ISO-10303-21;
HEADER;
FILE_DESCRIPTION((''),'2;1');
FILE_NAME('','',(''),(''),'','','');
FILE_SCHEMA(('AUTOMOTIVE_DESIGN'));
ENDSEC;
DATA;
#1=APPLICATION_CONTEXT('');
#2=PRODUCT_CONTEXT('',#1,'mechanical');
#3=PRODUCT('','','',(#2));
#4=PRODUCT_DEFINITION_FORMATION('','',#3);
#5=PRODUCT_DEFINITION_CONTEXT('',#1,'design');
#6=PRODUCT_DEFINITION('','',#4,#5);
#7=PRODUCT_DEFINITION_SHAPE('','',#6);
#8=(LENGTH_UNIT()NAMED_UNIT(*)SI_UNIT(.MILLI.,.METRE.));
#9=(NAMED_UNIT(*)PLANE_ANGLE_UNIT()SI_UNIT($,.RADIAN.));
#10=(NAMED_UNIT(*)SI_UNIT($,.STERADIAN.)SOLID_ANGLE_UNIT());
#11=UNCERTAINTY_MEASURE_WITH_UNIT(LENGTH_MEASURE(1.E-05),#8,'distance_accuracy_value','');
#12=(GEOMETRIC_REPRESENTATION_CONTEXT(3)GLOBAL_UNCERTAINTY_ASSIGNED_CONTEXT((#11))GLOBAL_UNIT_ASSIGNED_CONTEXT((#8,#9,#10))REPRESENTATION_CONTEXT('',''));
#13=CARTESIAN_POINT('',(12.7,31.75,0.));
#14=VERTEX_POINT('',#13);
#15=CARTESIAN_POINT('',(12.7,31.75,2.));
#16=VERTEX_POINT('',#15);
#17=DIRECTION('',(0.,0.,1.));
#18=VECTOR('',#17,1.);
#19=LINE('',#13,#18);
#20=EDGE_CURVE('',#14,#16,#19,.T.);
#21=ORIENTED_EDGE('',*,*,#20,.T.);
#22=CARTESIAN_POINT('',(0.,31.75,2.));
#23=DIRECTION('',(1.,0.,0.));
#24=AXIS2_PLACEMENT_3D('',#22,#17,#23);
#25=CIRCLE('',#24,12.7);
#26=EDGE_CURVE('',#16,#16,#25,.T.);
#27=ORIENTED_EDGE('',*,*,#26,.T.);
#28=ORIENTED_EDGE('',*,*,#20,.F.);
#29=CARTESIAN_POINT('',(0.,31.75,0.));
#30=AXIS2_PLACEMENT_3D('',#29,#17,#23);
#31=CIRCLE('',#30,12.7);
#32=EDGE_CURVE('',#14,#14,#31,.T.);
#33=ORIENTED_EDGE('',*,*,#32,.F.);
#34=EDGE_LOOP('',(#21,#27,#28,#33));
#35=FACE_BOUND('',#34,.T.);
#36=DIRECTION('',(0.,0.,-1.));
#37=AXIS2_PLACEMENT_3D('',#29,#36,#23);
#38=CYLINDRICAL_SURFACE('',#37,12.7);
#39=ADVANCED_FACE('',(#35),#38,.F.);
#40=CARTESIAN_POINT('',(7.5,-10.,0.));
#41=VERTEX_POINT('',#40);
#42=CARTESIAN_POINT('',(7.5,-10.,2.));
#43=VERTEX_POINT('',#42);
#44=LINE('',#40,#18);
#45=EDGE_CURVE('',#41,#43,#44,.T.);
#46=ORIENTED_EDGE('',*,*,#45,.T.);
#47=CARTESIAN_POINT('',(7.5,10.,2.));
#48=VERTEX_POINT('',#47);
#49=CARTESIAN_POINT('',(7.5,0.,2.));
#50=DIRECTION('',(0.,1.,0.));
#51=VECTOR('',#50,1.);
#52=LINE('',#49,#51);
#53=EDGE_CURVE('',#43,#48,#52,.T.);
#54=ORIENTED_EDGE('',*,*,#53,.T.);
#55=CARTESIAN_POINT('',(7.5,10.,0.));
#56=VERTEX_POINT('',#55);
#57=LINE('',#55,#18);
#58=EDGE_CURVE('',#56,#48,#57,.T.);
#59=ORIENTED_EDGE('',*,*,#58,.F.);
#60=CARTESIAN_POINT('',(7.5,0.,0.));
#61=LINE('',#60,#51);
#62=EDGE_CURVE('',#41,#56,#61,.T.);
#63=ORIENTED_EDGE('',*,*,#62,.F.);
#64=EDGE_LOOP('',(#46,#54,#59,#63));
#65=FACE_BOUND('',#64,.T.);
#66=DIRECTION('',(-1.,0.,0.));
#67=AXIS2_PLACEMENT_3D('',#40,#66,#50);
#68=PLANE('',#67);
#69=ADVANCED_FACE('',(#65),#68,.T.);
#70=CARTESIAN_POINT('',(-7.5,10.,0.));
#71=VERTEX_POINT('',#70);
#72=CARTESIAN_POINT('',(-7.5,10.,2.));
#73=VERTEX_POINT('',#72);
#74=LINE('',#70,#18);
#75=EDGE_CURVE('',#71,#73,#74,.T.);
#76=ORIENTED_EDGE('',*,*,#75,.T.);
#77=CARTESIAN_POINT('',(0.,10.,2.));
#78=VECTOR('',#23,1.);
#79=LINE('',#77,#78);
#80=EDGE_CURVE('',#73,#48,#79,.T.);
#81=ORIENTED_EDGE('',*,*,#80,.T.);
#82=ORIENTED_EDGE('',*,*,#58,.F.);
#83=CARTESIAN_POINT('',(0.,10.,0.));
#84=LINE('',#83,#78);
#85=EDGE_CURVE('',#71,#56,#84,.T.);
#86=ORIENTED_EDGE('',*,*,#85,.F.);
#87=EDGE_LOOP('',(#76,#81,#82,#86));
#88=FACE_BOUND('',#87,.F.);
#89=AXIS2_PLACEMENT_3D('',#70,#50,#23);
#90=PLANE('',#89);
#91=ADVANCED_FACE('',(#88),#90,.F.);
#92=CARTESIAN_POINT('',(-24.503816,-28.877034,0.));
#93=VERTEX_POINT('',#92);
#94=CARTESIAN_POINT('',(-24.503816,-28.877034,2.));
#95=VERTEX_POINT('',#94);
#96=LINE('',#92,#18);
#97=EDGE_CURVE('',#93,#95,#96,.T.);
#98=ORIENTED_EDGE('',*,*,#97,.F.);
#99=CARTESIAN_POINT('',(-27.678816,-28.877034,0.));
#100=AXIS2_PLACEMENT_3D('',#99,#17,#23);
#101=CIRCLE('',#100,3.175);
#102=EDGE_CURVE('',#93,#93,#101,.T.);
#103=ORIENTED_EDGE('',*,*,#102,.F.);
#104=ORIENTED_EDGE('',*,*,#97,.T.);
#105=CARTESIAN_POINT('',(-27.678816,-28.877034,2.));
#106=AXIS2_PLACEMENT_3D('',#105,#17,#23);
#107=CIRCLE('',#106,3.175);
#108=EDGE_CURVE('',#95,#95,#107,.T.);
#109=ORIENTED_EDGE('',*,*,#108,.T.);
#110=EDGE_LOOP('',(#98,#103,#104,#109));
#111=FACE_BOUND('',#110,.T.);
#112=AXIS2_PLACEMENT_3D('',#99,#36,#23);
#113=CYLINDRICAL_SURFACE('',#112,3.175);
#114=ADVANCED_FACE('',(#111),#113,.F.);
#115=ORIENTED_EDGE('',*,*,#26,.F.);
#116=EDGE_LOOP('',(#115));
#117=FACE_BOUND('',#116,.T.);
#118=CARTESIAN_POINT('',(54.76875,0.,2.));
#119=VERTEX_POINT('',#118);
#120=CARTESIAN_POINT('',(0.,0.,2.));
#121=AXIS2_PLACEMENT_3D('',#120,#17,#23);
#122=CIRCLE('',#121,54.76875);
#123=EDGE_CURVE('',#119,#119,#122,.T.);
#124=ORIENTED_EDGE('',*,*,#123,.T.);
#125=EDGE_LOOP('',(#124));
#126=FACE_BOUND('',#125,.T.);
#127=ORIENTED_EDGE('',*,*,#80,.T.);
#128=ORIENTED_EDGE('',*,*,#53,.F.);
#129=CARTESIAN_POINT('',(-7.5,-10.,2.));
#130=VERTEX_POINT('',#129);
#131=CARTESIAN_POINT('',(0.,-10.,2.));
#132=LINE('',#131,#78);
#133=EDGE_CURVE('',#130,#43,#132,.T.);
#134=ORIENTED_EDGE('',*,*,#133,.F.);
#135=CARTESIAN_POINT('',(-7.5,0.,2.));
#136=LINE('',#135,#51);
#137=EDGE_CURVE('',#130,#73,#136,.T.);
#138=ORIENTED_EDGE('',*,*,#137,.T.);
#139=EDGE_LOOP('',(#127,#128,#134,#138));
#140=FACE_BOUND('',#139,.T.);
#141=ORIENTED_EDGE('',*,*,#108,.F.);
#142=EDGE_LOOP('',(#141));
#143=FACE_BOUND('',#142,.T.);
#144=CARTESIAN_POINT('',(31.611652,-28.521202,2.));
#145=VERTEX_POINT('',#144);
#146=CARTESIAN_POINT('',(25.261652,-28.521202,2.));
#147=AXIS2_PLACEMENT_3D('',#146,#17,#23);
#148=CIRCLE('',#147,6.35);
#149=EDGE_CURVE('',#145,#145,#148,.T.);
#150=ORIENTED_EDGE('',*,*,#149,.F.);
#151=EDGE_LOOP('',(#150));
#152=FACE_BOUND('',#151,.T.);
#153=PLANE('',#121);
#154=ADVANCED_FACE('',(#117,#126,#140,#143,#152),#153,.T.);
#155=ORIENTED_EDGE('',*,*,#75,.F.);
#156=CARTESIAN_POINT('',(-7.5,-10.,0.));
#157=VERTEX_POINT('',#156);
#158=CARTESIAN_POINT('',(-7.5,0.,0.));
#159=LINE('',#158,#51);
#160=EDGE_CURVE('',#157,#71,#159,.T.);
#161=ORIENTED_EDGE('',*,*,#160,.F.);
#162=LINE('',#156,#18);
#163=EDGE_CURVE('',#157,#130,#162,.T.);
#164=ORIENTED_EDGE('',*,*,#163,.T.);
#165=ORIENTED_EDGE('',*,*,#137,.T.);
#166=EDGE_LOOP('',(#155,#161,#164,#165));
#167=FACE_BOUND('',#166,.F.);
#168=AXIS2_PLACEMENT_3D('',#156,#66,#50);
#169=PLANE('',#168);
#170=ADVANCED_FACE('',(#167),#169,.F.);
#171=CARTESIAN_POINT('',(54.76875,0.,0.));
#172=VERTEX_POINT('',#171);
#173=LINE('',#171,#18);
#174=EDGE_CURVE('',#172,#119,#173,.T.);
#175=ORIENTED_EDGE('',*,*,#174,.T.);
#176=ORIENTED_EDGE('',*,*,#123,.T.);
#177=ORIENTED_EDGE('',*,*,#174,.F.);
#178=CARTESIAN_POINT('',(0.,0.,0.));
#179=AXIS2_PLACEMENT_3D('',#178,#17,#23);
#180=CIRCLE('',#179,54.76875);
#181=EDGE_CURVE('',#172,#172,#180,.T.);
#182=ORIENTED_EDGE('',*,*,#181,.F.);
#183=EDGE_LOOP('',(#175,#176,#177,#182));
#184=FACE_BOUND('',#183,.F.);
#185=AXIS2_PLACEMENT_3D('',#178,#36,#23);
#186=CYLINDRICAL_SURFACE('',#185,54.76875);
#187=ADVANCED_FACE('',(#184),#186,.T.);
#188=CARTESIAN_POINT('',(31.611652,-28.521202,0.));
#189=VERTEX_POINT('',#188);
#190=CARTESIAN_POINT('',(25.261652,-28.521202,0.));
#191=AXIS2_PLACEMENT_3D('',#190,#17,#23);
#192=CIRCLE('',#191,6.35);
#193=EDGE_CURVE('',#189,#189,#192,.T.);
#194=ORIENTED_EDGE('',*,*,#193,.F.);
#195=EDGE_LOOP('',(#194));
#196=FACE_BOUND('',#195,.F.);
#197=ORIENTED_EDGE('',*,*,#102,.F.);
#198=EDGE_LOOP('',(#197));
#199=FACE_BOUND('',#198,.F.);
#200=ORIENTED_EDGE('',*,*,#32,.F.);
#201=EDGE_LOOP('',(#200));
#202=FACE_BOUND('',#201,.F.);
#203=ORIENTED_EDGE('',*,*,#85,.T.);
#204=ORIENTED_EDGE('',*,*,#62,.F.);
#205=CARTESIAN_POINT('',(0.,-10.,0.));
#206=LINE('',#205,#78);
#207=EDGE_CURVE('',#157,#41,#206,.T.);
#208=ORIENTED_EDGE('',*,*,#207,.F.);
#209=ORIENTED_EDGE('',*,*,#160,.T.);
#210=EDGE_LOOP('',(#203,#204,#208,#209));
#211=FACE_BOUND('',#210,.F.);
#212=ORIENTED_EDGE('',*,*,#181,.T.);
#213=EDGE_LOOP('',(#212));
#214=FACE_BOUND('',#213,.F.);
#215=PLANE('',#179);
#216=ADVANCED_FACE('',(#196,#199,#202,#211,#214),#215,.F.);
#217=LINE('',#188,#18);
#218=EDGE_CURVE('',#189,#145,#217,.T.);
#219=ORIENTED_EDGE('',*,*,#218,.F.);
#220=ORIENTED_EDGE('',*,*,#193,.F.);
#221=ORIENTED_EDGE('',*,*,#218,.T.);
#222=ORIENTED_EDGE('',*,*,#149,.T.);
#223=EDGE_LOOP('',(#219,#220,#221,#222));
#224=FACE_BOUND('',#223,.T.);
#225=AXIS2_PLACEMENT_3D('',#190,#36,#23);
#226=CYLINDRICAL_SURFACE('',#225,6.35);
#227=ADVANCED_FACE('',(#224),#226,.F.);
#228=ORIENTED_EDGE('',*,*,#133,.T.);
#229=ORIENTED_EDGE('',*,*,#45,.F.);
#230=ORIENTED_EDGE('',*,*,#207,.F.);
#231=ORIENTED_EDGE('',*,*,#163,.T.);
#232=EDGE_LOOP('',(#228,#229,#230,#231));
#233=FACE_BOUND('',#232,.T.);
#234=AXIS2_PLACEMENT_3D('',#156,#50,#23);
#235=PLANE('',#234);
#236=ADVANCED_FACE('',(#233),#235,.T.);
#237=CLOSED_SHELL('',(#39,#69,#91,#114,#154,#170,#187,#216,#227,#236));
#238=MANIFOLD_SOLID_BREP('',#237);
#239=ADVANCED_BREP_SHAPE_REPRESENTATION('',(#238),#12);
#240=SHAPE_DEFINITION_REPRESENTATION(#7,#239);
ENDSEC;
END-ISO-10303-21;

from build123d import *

# Parameters (mm, degrees)
F0_R     = 54.76875
F0_R_2   = 3.175
F0_R_3   = 6.35
F0_W     = 15
F0_H     = 20
F0_R_4   = 12.7
F1_DEPTH = 2


with BuildPart() as f1:
    # F0 (on Top) → F1 (new body)
    with BuildSketch(Plane.XY):
        Circle(F0_R)
        with Locations((-27.678816, -28.877034)):
            Circle(F0_R_2, mode=Mode.SUBTRACT)
        with Locations((25.261652, -28.521202)):
            Circle(F0_R_3, mode=Mode.SUBTRACT)
        Rectangle(F0_W, F0_H, mode=Mode.SUBTRACT)
        with Locations((0, 31.75)):
            Circle(F0_R_4, mode=Mode.SUBTRACT)
    extrude(amount=F1_DEPTH)


solid = f1.part
